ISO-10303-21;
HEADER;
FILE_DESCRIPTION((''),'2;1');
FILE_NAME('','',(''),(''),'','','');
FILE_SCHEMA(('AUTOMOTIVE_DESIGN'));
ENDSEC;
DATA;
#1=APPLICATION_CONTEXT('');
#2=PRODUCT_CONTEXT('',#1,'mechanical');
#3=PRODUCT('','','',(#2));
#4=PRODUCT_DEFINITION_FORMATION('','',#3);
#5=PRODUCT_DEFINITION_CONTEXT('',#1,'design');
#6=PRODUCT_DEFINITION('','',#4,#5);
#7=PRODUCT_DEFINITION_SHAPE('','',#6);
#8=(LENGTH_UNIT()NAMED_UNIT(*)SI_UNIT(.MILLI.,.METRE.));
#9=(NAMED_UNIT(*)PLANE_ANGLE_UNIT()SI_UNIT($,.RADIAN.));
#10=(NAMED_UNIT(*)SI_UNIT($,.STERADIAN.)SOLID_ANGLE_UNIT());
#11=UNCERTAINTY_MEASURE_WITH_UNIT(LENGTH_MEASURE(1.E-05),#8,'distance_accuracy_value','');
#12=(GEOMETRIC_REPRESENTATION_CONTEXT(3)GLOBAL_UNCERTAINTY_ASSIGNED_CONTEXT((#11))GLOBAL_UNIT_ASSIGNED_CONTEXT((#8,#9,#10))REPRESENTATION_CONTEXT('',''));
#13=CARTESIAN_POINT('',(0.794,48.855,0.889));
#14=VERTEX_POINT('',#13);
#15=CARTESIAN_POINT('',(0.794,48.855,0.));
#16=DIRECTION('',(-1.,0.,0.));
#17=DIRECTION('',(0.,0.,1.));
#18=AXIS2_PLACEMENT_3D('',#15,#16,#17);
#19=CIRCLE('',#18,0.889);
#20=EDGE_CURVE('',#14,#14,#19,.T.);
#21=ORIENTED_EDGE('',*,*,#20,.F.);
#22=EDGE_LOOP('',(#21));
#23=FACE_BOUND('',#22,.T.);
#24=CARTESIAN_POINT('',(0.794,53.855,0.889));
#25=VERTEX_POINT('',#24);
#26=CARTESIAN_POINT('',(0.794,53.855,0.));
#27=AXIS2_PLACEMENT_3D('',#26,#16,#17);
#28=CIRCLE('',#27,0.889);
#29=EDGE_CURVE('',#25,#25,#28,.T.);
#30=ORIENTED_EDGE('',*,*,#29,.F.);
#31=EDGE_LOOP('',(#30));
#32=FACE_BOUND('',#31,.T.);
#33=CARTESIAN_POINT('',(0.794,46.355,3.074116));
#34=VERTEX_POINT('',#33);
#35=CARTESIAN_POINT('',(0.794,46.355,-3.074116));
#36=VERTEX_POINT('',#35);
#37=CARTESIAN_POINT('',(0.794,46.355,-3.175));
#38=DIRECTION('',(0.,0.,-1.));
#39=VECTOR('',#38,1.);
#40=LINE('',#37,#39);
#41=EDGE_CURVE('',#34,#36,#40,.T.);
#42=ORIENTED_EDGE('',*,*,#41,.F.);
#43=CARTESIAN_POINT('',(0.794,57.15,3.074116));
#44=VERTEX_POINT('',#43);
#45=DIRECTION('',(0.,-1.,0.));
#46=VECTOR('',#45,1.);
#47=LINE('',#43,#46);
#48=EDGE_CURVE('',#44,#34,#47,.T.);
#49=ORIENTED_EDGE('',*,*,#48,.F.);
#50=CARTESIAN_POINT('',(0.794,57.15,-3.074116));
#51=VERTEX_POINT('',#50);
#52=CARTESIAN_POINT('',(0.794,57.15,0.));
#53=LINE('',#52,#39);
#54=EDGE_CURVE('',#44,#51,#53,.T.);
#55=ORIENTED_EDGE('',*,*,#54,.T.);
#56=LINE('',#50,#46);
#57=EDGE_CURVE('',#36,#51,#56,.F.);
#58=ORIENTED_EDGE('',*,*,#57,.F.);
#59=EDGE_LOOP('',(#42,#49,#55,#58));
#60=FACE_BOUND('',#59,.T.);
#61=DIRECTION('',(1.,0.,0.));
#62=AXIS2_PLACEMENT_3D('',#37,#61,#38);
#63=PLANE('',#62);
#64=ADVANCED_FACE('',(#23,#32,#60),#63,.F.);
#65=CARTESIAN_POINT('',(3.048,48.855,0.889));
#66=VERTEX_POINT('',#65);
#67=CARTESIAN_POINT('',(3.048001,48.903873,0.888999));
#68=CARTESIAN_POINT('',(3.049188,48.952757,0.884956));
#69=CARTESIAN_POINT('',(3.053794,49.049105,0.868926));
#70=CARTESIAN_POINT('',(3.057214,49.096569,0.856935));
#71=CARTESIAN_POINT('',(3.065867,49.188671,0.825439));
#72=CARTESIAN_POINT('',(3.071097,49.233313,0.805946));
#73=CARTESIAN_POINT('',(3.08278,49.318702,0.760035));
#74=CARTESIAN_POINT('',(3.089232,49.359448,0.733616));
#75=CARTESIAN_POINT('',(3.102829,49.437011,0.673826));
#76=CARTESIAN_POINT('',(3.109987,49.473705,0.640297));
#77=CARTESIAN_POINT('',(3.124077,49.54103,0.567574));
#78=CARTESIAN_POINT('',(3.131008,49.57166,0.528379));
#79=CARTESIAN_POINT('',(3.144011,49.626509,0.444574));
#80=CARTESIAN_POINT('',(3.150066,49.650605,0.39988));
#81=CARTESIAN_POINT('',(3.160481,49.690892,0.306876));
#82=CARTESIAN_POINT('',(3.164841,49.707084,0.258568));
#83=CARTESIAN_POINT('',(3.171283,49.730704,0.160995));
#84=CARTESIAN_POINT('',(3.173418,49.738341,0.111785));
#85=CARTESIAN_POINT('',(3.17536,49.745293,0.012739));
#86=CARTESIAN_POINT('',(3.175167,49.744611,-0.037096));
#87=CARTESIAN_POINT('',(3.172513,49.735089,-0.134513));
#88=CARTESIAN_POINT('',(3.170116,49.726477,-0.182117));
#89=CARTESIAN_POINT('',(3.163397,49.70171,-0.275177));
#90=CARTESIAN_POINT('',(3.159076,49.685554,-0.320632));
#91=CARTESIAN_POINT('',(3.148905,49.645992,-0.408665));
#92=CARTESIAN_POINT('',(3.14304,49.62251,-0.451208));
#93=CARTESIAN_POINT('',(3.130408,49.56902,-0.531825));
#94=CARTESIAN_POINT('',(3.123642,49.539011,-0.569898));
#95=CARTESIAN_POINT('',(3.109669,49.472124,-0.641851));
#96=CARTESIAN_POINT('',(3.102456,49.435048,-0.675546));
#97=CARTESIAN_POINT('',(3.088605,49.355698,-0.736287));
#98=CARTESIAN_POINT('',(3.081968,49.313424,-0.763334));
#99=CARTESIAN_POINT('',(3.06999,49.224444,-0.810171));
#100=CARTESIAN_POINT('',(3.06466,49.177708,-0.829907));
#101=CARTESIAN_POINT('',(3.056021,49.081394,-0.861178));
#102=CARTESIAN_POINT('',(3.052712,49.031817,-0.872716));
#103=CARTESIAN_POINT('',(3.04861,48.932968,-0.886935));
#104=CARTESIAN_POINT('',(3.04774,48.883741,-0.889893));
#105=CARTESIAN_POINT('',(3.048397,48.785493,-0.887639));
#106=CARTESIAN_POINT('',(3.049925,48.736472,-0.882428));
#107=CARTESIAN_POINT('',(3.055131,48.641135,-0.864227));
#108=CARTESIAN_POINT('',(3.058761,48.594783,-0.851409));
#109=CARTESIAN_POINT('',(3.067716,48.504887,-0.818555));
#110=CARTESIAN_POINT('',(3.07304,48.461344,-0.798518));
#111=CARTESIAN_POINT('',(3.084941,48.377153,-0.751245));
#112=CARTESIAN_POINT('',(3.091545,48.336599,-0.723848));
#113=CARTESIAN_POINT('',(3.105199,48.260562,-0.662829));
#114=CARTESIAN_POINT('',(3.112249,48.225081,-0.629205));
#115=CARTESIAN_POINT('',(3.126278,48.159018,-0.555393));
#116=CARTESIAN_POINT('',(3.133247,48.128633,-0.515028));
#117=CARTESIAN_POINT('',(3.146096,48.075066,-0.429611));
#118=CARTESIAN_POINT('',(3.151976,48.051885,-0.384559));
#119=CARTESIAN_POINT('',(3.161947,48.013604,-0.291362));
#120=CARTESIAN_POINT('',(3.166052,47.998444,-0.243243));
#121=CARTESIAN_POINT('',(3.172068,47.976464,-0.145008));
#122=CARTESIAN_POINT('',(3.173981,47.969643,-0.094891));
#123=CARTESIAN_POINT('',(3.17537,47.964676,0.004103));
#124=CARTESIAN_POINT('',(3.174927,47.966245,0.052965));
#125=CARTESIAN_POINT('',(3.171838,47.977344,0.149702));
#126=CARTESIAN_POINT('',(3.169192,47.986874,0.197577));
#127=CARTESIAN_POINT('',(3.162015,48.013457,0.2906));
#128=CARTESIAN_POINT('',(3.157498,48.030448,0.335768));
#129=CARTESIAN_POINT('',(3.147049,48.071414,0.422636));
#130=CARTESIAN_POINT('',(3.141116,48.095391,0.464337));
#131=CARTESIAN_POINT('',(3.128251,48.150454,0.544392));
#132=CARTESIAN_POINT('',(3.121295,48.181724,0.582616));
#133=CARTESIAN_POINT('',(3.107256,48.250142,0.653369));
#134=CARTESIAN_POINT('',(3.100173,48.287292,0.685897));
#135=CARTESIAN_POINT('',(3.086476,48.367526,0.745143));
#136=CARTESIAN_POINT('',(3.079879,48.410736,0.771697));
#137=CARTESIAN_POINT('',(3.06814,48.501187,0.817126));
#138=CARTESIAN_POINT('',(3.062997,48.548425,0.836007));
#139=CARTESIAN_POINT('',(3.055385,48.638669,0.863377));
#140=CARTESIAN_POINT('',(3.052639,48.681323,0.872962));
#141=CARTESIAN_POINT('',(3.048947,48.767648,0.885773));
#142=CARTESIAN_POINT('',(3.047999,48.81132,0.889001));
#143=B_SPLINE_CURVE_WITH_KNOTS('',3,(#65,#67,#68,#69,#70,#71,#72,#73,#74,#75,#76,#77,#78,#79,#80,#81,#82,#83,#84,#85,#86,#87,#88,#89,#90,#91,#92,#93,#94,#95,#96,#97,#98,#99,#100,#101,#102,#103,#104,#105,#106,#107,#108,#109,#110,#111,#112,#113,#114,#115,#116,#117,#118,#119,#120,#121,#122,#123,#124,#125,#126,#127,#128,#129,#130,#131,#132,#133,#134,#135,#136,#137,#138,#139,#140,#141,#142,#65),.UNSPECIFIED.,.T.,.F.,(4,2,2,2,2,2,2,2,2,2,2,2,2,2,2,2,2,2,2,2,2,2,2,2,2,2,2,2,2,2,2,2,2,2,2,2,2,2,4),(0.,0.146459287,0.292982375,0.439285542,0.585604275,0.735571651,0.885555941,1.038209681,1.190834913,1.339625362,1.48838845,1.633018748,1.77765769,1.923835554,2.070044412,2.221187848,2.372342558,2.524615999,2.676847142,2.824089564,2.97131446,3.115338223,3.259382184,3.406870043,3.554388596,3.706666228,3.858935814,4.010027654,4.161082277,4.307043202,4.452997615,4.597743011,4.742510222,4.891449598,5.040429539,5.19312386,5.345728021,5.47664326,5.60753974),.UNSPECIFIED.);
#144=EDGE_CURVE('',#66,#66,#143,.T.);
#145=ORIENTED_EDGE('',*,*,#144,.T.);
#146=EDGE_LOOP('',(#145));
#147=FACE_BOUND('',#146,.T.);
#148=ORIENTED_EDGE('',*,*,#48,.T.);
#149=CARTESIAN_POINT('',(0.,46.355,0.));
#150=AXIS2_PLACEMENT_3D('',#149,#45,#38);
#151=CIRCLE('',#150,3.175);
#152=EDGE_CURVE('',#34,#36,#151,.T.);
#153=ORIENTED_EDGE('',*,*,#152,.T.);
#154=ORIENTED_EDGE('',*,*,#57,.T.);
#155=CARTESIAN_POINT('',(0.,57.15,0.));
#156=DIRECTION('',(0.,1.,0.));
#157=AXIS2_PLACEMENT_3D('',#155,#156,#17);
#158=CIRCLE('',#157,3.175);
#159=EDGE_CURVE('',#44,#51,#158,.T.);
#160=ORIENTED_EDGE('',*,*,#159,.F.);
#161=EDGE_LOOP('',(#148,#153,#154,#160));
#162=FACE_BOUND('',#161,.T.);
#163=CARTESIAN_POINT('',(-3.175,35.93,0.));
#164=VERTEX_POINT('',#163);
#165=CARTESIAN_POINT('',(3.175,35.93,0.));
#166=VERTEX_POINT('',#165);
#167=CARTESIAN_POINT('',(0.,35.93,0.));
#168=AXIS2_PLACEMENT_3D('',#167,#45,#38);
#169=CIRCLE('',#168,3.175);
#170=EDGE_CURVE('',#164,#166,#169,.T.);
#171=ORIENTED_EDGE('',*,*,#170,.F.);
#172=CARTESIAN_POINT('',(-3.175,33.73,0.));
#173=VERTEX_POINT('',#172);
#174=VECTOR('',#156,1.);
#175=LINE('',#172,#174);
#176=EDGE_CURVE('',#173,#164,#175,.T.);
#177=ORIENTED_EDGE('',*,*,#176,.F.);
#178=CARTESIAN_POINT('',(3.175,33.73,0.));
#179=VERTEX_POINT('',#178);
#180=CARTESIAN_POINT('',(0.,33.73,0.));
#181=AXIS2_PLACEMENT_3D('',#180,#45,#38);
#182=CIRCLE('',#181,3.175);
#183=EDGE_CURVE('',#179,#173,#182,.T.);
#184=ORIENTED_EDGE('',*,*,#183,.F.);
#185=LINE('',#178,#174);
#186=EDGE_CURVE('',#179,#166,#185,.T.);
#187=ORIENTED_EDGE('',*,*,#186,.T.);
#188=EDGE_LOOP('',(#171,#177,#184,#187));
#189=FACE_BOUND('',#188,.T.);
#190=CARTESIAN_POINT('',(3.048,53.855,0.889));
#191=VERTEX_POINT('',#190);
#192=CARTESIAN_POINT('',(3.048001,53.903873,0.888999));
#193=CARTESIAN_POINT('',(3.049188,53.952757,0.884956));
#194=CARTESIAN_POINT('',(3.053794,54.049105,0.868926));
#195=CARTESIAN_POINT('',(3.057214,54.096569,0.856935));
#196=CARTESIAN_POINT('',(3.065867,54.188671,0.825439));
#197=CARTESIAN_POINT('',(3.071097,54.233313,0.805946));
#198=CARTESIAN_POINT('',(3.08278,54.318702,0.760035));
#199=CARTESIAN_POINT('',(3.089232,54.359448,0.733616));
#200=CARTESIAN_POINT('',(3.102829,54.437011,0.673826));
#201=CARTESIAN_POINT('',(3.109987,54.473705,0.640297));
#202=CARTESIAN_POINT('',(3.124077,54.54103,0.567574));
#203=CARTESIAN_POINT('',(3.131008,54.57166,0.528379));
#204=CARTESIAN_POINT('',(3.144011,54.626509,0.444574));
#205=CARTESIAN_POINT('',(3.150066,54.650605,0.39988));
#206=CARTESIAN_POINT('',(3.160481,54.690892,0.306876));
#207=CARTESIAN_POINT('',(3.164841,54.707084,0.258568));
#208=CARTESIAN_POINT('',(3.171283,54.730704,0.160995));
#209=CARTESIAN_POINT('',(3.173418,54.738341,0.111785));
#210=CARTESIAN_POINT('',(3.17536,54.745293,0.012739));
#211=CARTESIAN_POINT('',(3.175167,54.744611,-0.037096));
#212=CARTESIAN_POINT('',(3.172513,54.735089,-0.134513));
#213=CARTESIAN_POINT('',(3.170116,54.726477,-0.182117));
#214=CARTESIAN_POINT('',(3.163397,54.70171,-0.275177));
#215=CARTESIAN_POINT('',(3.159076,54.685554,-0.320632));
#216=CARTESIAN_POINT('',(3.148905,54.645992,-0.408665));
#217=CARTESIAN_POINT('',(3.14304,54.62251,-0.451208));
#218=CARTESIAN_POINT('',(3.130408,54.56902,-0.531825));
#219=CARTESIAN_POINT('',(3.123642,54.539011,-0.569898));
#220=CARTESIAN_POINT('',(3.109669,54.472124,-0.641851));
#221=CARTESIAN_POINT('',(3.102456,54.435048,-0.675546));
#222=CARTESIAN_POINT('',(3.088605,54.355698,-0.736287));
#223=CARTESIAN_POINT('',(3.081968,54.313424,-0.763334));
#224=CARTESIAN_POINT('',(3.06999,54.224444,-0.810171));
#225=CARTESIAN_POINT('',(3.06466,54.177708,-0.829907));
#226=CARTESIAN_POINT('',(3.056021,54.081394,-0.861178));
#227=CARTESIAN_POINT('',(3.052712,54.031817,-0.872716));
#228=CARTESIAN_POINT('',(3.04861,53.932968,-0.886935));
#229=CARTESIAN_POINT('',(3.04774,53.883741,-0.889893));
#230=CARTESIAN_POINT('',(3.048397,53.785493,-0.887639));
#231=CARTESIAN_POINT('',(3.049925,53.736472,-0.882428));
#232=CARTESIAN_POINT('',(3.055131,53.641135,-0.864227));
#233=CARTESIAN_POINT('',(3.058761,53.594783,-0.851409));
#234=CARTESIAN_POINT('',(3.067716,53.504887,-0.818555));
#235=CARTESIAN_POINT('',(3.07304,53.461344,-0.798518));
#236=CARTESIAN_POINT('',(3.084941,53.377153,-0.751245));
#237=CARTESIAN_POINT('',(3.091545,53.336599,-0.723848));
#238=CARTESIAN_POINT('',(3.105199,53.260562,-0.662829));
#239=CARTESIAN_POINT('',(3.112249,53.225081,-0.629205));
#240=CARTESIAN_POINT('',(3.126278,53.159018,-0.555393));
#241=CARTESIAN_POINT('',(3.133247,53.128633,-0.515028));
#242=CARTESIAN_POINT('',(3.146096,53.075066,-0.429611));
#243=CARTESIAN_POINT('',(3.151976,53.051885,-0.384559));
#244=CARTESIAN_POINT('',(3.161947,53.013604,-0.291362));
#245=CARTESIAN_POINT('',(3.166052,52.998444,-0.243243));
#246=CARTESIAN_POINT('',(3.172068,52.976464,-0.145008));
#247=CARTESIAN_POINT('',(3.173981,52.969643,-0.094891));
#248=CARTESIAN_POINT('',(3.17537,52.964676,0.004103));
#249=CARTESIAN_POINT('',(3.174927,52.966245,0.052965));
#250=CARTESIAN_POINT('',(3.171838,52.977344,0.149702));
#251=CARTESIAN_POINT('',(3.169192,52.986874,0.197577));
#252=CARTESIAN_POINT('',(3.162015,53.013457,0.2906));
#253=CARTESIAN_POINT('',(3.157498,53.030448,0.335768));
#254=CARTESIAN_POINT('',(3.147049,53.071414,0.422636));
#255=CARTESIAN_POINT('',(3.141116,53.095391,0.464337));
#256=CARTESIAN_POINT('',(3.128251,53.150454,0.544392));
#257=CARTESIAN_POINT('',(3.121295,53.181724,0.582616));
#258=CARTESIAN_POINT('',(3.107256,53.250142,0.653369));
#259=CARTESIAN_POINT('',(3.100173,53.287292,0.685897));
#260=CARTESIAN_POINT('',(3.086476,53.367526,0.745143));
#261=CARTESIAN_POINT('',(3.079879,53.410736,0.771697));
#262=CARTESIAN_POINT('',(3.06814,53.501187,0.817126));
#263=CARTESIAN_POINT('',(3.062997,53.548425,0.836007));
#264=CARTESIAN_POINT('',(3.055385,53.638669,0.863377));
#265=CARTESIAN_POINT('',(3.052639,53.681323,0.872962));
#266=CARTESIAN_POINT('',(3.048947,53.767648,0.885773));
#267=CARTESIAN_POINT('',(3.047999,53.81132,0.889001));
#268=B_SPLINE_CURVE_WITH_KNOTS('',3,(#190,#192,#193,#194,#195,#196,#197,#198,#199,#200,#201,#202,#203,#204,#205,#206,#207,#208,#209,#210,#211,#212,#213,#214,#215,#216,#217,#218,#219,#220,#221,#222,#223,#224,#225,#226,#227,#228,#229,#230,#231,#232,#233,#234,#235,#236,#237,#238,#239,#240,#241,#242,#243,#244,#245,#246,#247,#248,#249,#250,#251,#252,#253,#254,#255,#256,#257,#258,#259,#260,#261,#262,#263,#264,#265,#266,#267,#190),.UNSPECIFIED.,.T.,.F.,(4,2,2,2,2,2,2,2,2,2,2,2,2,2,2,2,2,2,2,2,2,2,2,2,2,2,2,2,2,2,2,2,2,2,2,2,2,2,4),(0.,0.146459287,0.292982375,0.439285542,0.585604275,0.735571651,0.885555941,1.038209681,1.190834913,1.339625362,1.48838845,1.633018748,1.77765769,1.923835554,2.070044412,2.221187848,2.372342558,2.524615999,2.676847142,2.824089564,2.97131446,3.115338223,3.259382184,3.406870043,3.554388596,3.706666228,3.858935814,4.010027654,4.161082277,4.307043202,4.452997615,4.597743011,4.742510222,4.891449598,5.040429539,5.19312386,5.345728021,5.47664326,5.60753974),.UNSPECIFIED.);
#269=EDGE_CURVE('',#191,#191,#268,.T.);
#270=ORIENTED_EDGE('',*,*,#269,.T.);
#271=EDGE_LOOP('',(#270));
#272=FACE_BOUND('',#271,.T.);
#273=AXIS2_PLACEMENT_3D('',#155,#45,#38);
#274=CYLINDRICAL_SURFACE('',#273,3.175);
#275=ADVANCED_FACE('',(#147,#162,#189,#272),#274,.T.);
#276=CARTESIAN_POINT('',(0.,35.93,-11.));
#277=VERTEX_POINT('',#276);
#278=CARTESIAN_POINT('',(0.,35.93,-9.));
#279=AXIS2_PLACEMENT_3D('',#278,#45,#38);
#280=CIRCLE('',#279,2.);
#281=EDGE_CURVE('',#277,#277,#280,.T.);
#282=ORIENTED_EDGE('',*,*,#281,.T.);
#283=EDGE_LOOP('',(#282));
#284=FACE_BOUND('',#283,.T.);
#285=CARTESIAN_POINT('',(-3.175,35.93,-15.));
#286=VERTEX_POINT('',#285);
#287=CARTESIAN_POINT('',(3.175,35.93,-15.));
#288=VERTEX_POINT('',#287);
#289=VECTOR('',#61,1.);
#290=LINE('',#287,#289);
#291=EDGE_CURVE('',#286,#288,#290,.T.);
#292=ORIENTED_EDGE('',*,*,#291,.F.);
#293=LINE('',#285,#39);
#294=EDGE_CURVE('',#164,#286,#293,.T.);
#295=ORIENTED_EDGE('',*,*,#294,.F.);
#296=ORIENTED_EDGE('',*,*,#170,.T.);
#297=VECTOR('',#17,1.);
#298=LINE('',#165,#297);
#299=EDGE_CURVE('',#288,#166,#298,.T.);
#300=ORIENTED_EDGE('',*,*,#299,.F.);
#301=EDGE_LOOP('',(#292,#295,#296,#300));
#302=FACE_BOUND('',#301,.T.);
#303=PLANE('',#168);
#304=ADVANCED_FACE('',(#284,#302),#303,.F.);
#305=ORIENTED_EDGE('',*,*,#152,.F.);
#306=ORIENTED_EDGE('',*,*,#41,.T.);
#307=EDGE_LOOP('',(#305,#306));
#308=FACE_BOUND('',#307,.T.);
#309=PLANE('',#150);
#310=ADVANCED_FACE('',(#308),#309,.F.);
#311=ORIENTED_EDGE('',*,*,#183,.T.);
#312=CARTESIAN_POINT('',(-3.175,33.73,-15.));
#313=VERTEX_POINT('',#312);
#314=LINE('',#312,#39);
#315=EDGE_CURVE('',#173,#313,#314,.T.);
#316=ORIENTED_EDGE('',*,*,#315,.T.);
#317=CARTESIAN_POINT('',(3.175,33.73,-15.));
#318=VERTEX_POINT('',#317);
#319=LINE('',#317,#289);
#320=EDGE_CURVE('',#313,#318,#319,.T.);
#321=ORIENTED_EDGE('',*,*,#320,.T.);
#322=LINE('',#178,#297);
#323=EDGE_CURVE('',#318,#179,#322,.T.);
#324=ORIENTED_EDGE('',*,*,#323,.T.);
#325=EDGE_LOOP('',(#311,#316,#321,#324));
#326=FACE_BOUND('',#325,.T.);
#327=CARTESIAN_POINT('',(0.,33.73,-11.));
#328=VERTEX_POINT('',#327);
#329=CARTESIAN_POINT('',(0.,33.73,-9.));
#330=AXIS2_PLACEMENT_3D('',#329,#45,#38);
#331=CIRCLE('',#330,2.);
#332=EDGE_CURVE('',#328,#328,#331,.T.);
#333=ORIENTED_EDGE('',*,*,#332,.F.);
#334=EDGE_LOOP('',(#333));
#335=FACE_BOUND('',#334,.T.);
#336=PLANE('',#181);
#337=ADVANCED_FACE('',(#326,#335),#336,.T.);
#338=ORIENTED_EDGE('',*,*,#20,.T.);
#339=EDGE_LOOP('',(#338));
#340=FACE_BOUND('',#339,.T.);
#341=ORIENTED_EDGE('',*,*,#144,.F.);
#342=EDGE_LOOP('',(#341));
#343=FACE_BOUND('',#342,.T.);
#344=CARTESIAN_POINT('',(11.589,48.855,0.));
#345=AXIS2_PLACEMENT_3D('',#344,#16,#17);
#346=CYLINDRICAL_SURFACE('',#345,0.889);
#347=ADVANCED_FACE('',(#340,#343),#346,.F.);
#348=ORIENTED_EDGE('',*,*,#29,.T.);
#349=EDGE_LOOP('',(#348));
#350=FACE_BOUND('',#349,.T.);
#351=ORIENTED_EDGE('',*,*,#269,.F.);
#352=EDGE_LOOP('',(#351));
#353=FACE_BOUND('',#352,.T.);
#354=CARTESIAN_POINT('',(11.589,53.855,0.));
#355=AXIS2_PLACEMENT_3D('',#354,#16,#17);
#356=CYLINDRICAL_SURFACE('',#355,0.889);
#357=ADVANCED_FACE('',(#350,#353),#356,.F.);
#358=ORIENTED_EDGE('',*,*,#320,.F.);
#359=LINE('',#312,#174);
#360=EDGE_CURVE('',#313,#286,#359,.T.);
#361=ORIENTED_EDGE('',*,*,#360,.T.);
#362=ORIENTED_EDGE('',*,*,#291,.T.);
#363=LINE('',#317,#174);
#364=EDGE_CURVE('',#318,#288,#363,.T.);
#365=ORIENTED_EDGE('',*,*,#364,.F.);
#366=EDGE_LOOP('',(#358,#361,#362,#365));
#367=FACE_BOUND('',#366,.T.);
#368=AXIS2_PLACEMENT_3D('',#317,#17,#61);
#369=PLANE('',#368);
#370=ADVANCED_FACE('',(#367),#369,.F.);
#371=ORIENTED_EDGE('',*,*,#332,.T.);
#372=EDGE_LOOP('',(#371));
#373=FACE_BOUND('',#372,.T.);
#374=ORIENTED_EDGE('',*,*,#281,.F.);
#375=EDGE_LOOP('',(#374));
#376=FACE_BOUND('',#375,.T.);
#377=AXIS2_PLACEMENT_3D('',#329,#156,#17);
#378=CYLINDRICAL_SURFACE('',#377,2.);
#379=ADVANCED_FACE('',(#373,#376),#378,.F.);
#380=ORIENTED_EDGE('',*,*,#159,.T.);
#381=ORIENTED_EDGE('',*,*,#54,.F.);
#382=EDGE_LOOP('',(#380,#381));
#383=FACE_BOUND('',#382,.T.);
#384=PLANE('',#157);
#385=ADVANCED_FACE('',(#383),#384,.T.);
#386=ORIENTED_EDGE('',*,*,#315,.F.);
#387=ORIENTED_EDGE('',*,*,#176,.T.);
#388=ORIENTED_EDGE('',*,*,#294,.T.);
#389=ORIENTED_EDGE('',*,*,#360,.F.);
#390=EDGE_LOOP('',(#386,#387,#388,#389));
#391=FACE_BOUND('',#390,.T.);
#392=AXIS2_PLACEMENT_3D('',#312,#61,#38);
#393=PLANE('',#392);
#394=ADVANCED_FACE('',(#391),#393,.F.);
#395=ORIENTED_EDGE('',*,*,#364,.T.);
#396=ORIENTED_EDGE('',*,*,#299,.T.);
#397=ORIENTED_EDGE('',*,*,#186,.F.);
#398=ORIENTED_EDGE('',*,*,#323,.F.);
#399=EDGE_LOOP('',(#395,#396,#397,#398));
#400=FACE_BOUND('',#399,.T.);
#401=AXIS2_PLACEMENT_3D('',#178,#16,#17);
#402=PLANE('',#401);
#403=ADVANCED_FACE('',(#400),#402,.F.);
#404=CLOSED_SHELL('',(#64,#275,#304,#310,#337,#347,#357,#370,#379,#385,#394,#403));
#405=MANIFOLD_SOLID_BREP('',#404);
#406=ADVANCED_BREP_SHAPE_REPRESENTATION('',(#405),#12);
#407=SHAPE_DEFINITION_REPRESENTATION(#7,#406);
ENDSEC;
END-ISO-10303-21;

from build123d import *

# Parameters (mm, degrees)
SKETCH_1_R          = 3.175
EXTRUDE_1_DEPTH     = 57.15
CUT_EXTRUDE_1_DEPTH = 10.795
SKETCH_3_R          = 0.889
CUT_EXTRUDE_2_DEPTH = 10.795
SKETCH_4_R          = 3.175
CUT_EXTRUDE_3_DEPTH = 34.83
SKETCH_5_R          = 2
EXTRUDE_2_DEPTH     = 1.1


with BuildPart() as part:
    # 草图1 → 凸台-拉伸1 (new body)
    with BuildSketch(Plane(origin=(0, 0, 0), x_dir=(1, 0, 0), z_dir=(0, 1, 0))):
        Circle(SKETCH_1_R)
    extrude(amount=EXTRUDE_1_DEPTH)

    # 草图2 → 切除-拉伸1 (cut)
    with BuildSketch(Plane(origin=(0, 57.15, 0), x_dir=(1, 0, 0), z_dir=(0, 1, 0))):
        Polygon((-0.794, 3.175), (0.794, 3.175), (0.794, -3.175), (-3.175, -3.175), (-3.175, 3.175), align=None)
    extrude(amount=-CUT_EXTRUDE_1_DEPTH, mode=Mode.SUBTRACT)

    # 草图3 → 切除-拉伸2 (cut)
    with BuildSketch(Plane.ZY.offset(-0.794)):
        with Locations((0, 53.855)):
            Circle(SKETCH_3_R)
        with Locations((0, 48.855)):
            Circle(SKETCH_3_R)
    extrude(amount=-CUT_EXTRUDE_2_DEPTH, mode=Mode.SUBTRACT)

    # 草图4 → 切除-拉伸3 (cut)
    with BuildSketch(Plane.XZ):
        Circle(SKETCH_4_R)
    extrude(amount=-CUT_EXTRUDE_3_DEPTH, mode=Mode.SUBTRACT)

    # 草图5 → 凸台-拉伸2 (add, symmetric)
    with BuildSketch(Plane.XZ.offset(-34.83)):
        with BuildLine():
            Line((3.175, 0), (3.175, -15))
            Line((3.175, -15), (-3.175, -15))
            Line((-3.175, -15), (-3.175, 0))
            ThreePointArc((-3.175, 0), (0, 3.175), (3.175, 0))
        make_face()
        with Locations((0, -9)):
            Circle(SKETCH_5_R, mode=Mode.SUBTRACT)
    extrude(amount=EXTRUDE_2_DEPTH, both=True)


solid = part.part
